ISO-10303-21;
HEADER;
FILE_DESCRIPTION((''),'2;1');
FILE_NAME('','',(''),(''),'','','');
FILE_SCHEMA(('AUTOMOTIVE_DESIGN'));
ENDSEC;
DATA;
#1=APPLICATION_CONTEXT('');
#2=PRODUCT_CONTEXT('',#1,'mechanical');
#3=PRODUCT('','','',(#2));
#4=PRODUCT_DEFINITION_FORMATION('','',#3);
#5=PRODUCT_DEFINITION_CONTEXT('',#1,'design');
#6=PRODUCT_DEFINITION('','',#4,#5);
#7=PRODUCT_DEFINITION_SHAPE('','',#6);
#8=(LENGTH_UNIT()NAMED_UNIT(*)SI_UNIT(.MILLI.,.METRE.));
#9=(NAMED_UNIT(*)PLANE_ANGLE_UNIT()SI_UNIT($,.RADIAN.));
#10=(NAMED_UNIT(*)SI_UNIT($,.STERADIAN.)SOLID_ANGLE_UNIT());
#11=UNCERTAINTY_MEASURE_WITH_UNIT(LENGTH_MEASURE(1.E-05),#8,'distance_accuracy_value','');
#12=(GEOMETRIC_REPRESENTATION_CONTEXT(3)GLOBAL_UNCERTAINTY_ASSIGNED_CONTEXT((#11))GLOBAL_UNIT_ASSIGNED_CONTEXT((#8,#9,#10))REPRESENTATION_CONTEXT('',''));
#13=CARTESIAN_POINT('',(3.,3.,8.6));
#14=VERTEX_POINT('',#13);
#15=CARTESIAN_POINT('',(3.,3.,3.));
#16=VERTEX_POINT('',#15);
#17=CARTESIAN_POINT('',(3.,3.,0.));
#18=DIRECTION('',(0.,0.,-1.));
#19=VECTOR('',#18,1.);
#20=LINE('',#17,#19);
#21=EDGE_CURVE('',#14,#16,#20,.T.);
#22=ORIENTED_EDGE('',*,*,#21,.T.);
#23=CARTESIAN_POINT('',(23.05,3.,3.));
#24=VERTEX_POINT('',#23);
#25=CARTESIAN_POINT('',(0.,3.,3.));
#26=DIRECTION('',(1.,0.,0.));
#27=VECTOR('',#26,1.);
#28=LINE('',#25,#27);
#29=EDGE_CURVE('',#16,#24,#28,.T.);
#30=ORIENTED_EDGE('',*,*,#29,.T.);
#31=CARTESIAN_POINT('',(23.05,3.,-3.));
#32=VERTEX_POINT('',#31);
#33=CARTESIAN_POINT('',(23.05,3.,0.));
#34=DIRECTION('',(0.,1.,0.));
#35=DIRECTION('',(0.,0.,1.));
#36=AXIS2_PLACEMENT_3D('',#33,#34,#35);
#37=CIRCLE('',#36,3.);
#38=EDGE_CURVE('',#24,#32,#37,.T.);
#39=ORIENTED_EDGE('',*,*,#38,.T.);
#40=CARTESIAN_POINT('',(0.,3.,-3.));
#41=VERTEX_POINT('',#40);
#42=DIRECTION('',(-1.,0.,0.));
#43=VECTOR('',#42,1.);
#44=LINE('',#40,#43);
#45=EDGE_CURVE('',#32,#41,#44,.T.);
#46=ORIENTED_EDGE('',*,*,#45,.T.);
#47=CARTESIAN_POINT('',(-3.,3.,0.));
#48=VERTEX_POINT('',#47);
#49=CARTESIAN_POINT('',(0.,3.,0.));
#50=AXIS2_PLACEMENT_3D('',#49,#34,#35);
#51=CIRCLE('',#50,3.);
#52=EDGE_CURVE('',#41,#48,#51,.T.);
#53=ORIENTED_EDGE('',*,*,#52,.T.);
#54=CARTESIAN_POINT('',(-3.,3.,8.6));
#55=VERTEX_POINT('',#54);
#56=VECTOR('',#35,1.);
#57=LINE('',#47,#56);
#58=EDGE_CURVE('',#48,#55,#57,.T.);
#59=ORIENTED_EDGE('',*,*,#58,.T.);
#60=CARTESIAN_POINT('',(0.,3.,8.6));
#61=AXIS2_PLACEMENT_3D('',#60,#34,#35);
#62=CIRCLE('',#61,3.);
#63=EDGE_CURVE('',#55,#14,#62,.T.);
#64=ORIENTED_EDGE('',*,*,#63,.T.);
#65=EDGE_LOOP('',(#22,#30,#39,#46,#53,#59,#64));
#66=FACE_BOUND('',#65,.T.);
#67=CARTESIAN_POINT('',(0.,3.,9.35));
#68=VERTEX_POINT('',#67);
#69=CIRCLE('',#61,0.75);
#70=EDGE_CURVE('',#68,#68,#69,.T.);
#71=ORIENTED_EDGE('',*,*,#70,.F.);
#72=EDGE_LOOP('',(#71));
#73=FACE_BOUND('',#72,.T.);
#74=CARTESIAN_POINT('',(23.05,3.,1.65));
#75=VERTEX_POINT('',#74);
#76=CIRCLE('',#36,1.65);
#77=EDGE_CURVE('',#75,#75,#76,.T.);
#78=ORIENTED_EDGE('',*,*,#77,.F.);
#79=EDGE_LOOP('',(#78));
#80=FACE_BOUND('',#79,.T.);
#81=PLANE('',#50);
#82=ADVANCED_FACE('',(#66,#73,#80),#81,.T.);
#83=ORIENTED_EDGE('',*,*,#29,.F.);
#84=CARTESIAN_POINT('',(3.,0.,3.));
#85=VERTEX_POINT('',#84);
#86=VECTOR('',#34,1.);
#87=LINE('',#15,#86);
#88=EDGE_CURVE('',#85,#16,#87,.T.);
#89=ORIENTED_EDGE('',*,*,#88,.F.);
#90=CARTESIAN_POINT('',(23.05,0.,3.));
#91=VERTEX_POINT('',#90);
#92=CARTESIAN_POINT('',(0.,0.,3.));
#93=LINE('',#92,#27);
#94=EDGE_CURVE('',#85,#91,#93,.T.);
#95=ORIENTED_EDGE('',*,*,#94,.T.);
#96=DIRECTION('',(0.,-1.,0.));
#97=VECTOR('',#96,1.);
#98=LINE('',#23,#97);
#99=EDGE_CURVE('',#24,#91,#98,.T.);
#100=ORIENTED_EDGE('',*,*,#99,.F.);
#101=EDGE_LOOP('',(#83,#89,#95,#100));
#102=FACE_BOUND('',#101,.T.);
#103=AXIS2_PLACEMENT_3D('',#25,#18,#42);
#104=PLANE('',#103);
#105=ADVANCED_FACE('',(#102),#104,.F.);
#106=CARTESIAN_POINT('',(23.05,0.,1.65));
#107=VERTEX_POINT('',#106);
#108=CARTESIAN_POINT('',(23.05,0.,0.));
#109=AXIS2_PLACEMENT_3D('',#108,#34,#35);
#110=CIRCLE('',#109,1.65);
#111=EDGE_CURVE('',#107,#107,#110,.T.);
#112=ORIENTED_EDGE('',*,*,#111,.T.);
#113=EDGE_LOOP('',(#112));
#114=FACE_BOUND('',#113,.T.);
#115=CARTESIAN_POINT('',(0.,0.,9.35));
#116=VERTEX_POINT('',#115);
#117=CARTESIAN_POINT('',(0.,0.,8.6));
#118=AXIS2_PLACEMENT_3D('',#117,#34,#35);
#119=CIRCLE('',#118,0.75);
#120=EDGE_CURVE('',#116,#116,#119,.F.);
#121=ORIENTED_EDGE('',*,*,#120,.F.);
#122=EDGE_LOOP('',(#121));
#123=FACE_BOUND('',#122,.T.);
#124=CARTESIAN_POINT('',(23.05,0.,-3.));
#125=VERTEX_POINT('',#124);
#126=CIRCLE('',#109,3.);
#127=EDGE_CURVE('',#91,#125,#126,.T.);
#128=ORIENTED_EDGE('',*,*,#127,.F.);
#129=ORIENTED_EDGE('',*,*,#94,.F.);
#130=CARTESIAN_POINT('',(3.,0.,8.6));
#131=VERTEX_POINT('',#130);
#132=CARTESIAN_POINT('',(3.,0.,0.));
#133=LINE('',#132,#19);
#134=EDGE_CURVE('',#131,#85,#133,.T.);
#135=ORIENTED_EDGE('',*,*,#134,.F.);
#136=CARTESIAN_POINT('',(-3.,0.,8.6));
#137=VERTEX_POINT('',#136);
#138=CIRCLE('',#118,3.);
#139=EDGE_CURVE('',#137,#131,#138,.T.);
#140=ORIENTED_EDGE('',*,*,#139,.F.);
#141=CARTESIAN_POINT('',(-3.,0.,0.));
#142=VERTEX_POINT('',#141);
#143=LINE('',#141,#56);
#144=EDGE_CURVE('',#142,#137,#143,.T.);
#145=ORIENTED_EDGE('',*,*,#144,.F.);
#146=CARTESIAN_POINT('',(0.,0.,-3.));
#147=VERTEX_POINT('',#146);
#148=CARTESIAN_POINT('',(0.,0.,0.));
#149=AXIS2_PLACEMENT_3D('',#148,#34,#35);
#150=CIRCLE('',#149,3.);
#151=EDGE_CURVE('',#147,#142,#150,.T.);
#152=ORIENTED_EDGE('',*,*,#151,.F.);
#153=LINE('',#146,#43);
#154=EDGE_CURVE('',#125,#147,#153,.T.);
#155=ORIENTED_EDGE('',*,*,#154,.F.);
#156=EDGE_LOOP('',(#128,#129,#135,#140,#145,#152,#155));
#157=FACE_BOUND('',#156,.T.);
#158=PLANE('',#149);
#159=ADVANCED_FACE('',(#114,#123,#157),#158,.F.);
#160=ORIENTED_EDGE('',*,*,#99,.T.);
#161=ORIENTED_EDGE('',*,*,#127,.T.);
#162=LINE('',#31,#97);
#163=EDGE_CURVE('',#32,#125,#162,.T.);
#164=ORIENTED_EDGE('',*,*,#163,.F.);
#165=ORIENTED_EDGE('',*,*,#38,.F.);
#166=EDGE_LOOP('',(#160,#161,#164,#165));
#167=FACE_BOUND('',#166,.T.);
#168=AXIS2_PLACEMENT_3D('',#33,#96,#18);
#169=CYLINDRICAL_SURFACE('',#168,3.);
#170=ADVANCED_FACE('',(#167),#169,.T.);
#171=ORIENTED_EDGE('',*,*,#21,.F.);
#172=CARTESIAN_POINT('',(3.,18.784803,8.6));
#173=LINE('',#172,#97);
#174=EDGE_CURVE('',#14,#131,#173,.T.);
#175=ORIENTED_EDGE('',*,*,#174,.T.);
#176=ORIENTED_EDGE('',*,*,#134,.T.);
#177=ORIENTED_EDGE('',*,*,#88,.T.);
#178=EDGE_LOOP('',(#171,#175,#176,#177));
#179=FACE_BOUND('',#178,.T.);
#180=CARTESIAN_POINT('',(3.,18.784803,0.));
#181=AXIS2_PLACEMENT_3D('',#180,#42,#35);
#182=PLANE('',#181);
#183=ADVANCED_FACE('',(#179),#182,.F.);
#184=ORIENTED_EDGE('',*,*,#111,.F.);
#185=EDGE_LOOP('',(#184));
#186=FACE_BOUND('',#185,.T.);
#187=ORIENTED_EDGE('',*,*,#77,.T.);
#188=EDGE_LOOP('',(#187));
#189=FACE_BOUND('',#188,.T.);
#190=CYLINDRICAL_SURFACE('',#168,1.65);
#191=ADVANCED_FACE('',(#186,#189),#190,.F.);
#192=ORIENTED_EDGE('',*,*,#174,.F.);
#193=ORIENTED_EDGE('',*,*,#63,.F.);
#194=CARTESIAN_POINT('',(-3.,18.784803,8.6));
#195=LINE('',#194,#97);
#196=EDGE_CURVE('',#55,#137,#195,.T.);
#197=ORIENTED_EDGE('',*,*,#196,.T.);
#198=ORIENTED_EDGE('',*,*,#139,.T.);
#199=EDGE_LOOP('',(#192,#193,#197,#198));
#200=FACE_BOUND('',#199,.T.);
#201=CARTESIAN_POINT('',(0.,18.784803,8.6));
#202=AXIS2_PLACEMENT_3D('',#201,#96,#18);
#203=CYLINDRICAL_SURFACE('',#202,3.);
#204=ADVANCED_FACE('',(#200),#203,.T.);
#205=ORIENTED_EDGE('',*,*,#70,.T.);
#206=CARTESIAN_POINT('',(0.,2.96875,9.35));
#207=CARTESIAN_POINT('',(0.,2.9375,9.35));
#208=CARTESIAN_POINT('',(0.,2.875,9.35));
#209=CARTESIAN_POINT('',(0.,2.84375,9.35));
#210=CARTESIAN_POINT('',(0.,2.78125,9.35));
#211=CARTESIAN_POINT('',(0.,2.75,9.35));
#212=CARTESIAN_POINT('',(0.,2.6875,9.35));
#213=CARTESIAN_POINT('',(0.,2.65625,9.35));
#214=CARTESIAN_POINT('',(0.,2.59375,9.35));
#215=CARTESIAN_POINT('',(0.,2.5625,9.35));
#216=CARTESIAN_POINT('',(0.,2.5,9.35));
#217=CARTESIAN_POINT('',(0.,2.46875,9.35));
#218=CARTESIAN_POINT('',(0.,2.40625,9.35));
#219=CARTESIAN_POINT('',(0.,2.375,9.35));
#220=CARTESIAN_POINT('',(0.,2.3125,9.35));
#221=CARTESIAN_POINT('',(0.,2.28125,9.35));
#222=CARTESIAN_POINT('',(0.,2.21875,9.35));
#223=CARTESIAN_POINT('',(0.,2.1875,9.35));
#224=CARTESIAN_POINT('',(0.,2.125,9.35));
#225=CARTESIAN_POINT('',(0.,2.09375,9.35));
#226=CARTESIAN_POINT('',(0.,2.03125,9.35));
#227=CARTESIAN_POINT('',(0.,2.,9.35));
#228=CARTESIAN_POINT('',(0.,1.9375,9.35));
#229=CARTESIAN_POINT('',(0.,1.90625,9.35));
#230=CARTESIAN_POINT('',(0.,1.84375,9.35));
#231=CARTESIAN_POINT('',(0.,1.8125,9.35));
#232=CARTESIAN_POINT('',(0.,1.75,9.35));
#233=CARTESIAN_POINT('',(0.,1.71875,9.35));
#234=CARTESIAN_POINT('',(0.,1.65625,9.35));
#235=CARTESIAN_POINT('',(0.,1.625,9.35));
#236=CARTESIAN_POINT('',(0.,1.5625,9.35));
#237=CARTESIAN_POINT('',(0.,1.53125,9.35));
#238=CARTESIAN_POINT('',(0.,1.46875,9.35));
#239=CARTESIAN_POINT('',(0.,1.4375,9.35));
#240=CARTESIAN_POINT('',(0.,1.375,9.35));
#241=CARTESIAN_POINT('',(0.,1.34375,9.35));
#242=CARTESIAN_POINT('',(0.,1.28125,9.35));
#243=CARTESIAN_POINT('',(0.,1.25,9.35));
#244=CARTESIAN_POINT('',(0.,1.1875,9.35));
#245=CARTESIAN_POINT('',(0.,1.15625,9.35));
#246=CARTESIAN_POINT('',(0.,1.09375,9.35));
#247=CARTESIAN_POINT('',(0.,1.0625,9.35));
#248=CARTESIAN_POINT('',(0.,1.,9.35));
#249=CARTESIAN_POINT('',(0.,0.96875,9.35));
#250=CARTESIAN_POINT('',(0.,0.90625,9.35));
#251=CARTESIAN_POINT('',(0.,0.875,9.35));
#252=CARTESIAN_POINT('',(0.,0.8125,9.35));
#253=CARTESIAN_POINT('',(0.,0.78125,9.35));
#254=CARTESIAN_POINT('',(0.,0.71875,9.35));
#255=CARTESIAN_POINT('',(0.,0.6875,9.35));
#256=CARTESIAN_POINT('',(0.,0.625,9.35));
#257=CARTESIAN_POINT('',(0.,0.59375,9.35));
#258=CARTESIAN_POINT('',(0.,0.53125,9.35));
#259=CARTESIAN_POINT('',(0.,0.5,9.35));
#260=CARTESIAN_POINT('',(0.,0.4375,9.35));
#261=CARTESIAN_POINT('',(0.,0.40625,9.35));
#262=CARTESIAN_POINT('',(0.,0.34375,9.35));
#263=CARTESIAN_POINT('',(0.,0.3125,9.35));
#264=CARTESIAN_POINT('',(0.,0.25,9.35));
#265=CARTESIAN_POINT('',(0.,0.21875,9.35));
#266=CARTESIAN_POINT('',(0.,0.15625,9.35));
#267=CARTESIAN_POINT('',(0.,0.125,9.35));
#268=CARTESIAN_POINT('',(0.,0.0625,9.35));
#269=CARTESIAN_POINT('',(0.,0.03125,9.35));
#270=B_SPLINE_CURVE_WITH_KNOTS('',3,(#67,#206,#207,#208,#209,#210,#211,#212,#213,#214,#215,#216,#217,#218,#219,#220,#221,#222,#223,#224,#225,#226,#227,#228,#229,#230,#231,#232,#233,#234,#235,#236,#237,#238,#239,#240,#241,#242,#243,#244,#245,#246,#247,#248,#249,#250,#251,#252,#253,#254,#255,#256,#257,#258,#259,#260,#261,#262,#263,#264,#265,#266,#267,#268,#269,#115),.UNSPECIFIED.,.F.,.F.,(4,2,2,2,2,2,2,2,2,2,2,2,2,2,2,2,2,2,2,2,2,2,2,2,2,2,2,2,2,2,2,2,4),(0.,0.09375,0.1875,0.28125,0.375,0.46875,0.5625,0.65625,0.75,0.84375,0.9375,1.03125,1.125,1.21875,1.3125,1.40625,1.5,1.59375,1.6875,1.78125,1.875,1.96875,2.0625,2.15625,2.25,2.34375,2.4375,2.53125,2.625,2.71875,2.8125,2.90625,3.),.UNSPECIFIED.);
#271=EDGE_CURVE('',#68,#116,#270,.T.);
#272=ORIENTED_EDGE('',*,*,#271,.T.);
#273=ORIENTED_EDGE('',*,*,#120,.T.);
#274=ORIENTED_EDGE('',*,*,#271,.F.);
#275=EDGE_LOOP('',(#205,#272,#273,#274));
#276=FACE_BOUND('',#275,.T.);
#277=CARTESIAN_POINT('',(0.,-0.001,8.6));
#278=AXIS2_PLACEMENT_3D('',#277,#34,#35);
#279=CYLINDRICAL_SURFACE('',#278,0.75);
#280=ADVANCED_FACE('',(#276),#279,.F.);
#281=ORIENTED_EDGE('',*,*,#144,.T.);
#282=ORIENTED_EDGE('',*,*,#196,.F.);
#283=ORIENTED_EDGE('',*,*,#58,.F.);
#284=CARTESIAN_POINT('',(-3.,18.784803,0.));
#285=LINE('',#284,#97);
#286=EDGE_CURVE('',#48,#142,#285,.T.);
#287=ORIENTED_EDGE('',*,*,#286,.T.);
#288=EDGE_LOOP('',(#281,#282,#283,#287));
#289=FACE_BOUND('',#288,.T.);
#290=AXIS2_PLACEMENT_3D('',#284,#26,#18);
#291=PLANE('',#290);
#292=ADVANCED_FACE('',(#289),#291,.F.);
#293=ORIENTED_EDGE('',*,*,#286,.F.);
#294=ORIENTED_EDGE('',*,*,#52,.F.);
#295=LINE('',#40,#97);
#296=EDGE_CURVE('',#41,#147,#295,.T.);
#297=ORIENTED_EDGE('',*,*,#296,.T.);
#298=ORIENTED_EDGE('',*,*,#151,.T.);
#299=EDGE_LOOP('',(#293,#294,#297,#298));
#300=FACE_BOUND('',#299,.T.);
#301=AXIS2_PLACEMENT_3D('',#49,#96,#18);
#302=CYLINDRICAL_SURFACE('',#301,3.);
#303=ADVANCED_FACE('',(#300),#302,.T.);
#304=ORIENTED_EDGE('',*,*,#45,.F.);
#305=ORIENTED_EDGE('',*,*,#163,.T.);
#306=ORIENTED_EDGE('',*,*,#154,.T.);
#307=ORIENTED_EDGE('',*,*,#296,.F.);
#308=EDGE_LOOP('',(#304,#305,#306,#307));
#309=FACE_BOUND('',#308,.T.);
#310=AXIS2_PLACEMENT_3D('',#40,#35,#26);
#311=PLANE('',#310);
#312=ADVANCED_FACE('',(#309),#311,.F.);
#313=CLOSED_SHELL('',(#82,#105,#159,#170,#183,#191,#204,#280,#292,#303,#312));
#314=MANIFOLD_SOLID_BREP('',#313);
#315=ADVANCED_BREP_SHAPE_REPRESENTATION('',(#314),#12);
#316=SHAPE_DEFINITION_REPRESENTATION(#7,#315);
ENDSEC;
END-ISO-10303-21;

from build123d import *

# Parameters (mm, degrees)
SKETCH_1_R          = 1.65
EXTRUDE_1_DEPTH     = 3
EXTRUDE_2_DEPTH     = 3
CUT_EXTRUDE_1_REACH = 30.673
SKETCH_3_R          = 0.75


with BuildPart() as part:
    # 草图1 → 凸台-拉伸1 (new body)
    with BuildSketch(Plane(origin=(0, 0, 0), x_dir=(1, 0, 0), z_dir=(0, 1, 0))):
        with BuildLine():
            Line((0, 3), (23.05, 3))
            ThreePointArc((23.05, 3), (26.05, 0), (23.05, -3))
            Line((23.05, -3), (0, -3))
            ThreePointArc((0, -3), (-3, 0), (0, 3))
        make_face()
        with Locations(Location((23.05, 0, 0), (0, 0, 270))):
            Circle(SKETCH_1_R, mode=Mode.SUBTRACT)
    extrude(amount=EXTRUDE_1_DEPTH)

    # 草图2 → 凸台-拉伸2 (add)
    with BuildSketch(Plane(origin=(0, 0, 0), x_dir=(1, 0, 0), z_dir=(0, 1, 0))):
        with BuildLine():
            Line((3, 0), (3, -8.6))
            ThreePointArc((3, -8.6), (0, -11.6), (-3, -8.6))
            Line((-3, -8.6), (-3, 0))
            ThreePointArc((-3, 0), (0, 3), (3, 0))
        make_face()
    extrude(amount=EXTRUDE_2_DEPTH)

    # 草图3 → 切除-拉伸1 (cut, up to next)
    with BuildSketch(Plane(origin=(0, 3, 0), x_dir=(1, 0, 0), z_dir=(0, 1, 0)), mode=Mode.PRIVATE) as cut_extrude_1_sk1:
        with Locations(Location((0, -8.6, 0), (0, 0, 270))):
            Circle(SKETCH_3_R)
    cut_extrude_1_tool1 = extrude(cut_extrude_1_sk1.sketch, amount=-CUT_EXTRUDE_1_REACH, mode=Mode.PRIVATE) & part.part
    add(cut_extrude_1_tool1.solids().sort_by_distance((0, 3, 8.6))[0], mode=Mode.SUBTRACT)


solid = part.part
